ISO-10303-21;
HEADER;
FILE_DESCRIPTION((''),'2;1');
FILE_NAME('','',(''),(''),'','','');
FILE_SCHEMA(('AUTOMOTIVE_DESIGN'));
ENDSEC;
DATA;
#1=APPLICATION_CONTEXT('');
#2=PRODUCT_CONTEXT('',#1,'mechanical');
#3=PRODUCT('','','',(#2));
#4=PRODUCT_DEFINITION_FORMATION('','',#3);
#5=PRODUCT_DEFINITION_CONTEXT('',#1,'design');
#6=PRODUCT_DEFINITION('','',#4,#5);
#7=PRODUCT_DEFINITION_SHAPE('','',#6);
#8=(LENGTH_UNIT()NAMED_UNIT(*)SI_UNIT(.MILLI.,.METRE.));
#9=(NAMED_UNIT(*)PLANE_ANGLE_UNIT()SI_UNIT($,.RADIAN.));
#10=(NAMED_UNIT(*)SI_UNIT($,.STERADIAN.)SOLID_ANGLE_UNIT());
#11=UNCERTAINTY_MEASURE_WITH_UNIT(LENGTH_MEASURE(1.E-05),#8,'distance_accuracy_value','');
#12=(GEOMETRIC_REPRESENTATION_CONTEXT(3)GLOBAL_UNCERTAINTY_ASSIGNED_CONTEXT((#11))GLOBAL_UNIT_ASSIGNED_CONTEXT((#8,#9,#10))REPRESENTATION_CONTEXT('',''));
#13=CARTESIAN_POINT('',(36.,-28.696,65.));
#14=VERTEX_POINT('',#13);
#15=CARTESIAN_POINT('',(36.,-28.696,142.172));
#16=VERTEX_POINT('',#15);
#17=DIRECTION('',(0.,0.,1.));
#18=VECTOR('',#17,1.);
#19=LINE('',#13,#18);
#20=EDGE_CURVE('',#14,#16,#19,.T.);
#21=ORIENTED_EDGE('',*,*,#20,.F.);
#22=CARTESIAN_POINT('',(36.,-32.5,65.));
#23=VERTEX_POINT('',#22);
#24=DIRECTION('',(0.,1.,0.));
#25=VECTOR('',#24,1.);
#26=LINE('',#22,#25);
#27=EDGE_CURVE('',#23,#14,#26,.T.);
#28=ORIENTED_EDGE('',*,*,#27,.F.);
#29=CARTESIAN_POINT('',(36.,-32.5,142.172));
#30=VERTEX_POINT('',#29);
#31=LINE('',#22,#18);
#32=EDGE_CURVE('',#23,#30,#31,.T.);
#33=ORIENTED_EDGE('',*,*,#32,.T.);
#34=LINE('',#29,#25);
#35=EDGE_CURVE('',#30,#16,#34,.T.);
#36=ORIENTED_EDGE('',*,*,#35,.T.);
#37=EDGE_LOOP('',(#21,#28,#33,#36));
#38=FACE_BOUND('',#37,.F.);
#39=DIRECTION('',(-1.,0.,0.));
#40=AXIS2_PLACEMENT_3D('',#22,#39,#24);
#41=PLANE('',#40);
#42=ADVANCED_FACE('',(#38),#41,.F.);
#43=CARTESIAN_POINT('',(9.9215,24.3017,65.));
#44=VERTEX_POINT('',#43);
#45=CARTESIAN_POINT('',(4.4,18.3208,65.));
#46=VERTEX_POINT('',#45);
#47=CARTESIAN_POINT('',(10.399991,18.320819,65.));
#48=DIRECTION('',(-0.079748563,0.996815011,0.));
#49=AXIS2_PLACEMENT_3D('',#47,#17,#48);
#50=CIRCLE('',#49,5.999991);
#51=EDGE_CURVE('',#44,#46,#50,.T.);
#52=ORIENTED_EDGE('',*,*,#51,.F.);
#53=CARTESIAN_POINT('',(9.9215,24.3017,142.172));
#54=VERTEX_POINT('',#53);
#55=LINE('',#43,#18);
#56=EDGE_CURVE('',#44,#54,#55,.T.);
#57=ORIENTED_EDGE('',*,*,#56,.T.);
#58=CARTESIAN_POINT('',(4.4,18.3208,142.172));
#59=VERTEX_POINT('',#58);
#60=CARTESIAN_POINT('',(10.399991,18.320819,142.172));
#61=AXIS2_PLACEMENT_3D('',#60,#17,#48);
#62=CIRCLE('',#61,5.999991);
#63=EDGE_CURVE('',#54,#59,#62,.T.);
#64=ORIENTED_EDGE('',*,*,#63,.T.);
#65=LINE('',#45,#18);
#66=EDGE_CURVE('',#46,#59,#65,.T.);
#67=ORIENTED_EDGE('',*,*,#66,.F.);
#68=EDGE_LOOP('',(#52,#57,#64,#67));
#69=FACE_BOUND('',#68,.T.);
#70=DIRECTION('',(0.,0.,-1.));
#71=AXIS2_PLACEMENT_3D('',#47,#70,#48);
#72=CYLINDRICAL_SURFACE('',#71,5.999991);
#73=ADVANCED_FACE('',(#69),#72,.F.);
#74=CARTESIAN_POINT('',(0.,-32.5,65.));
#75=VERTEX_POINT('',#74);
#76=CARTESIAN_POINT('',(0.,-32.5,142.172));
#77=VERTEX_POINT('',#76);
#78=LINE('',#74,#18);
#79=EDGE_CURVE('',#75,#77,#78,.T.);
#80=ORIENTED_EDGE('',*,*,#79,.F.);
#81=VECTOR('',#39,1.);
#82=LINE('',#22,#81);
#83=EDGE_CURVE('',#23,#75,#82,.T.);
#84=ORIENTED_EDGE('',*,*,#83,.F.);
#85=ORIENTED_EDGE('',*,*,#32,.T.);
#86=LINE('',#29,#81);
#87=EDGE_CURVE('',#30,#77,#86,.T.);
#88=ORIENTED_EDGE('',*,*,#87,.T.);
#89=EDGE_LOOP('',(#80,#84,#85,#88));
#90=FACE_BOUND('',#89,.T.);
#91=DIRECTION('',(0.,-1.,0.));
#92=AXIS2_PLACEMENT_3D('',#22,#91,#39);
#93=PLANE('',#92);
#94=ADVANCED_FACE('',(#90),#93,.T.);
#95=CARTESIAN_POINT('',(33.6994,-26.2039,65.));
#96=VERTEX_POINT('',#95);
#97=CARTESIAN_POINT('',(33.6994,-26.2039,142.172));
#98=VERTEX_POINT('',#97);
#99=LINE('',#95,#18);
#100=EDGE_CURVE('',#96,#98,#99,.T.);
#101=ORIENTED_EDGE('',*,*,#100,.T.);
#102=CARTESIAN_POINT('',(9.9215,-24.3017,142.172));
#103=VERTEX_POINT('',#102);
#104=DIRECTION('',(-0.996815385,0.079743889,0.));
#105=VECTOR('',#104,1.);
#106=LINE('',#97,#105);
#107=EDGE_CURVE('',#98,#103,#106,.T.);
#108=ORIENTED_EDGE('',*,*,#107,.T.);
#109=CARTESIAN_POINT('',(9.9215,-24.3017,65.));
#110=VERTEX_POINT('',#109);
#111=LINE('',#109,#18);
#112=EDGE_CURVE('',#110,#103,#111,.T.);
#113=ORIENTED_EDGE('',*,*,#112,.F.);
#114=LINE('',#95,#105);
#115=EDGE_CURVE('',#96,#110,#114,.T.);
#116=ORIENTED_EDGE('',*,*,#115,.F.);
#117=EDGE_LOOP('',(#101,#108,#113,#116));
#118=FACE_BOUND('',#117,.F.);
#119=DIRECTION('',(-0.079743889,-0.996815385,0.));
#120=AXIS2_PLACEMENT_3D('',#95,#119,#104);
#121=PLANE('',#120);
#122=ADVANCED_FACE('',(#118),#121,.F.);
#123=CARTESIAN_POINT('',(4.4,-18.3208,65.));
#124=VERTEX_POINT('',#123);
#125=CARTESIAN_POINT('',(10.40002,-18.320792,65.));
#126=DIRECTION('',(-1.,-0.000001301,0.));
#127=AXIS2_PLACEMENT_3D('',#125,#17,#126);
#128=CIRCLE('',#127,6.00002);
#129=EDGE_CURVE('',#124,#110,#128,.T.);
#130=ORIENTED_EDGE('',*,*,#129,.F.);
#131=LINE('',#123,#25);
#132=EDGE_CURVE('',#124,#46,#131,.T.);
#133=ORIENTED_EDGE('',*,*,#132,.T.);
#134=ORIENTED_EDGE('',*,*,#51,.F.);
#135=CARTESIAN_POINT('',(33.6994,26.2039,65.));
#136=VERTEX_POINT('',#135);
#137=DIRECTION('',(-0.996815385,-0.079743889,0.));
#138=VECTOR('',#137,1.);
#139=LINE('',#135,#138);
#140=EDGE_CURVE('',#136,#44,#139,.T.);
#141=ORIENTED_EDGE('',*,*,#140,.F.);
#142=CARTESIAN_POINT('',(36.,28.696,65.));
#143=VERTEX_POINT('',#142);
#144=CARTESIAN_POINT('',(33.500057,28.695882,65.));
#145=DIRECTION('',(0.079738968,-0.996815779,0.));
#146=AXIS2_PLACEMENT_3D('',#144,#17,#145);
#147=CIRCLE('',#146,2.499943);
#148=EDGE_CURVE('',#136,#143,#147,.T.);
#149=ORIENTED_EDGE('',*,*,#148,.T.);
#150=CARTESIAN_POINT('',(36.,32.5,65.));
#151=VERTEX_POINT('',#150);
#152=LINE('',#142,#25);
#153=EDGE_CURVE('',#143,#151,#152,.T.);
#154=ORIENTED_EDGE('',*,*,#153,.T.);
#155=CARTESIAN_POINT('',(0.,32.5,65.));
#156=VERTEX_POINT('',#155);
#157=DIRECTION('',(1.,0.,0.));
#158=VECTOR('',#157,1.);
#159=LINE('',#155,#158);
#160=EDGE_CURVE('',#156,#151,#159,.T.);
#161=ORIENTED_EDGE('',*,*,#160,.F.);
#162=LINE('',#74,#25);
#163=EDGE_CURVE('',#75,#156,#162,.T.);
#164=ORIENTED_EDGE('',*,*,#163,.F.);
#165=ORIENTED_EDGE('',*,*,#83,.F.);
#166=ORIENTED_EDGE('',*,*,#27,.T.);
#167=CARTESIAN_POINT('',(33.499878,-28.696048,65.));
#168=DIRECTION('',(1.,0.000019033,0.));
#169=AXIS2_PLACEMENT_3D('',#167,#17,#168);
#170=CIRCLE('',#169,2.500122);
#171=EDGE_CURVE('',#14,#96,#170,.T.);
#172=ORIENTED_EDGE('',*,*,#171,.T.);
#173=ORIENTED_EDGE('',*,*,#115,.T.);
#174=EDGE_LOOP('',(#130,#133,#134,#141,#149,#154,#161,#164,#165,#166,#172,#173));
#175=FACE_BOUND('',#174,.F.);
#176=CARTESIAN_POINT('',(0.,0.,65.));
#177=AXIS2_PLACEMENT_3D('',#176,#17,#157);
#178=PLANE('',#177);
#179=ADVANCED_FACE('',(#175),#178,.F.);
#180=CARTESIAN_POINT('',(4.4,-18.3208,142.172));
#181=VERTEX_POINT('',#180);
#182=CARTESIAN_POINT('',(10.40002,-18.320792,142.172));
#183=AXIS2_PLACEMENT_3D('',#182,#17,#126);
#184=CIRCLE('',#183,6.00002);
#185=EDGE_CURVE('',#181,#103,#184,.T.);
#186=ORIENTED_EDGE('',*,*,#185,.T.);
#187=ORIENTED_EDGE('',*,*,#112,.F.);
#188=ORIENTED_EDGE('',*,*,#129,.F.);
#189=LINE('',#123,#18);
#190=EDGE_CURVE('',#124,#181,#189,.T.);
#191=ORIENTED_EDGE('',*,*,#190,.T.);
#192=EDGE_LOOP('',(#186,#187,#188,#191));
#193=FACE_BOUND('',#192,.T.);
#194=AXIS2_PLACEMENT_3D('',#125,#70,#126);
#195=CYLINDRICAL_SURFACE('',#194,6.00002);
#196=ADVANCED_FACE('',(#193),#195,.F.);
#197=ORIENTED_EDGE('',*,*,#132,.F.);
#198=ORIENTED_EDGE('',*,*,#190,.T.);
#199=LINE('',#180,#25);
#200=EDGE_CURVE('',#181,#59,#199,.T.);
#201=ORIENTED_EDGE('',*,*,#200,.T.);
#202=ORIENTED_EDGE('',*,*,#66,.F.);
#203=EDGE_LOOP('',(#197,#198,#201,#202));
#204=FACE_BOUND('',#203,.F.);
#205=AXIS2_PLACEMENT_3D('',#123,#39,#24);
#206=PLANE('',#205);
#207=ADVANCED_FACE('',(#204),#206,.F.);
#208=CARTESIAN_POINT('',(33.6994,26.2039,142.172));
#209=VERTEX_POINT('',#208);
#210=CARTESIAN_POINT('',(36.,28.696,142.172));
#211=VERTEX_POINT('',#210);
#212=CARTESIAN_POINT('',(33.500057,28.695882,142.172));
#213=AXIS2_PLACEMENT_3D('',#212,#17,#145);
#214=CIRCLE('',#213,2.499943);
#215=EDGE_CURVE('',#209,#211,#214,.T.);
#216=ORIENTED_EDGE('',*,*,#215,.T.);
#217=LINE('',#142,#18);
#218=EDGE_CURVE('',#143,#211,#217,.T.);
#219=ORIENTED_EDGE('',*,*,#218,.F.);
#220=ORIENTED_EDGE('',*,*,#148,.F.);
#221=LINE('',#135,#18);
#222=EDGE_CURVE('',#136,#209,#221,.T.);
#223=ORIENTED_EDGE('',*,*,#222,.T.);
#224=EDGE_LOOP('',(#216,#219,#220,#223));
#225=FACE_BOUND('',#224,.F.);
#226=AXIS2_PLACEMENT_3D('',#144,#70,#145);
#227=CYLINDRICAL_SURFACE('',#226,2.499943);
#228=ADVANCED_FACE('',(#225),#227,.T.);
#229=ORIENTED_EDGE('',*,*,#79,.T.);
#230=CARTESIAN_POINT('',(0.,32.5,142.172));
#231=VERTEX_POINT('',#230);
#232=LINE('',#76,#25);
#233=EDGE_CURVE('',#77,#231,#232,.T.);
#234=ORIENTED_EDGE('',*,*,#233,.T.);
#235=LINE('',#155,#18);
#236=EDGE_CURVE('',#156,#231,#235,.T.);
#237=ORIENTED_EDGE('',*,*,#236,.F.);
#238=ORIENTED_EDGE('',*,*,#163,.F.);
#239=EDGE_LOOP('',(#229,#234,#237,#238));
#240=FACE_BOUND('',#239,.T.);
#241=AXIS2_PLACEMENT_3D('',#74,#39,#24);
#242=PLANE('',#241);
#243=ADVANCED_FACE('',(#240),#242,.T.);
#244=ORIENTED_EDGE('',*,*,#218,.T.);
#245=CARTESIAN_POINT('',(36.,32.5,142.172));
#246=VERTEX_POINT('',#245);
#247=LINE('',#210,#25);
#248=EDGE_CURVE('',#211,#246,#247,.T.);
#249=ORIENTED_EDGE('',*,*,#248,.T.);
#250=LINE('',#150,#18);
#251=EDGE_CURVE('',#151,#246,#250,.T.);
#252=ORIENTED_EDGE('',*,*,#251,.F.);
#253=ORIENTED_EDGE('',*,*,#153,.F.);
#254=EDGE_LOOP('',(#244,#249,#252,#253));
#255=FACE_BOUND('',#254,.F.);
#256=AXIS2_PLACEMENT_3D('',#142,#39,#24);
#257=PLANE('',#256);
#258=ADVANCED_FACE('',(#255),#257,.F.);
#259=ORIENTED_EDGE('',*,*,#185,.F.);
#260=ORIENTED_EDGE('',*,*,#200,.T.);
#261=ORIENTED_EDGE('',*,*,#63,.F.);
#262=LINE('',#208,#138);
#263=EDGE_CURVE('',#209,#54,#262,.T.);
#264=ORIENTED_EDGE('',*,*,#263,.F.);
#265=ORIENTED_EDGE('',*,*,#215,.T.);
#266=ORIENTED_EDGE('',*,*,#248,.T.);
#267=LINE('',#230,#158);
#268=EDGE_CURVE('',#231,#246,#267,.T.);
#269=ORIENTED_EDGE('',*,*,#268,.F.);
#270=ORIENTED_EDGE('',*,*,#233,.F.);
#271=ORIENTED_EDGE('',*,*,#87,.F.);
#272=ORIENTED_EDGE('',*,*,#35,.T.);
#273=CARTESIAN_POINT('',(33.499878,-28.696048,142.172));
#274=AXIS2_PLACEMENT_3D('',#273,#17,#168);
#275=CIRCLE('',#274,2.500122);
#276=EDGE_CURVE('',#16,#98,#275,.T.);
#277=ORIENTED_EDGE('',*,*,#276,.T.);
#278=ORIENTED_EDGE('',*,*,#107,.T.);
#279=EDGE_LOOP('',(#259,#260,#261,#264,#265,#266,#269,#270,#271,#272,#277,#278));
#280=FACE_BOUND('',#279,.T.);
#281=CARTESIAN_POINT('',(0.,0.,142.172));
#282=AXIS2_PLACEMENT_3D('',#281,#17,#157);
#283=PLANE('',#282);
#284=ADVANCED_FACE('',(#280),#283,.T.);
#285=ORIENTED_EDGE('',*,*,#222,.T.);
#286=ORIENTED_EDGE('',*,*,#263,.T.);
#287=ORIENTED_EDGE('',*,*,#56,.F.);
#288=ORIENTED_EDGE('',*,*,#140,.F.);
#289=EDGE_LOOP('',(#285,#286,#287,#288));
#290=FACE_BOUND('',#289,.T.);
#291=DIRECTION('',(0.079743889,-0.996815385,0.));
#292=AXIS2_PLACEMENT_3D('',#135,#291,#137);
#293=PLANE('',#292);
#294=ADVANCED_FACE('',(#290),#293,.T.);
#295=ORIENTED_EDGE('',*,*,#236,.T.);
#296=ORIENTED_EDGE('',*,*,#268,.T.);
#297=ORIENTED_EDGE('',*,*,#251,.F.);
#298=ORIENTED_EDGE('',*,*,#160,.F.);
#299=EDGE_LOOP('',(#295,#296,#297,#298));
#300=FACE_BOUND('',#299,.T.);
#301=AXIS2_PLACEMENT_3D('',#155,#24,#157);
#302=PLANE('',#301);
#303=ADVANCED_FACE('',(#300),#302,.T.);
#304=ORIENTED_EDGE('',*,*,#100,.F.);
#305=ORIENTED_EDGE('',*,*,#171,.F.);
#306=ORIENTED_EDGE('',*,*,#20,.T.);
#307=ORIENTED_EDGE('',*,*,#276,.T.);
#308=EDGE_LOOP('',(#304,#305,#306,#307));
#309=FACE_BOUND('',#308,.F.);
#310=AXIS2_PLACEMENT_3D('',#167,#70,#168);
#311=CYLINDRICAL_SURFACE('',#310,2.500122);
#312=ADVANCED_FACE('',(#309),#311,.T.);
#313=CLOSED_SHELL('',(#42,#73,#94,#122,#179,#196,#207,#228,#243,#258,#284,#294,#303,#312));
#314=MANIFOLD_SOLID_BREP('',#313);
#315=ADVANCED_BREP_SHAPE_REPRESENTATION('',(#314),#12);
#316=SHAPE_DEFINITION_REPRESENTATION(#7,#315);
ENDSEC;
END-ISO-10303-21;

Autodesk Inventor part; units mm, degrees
ref_plane "Начальная плоскость" through (0, 0, 65) normal (0, 0, 1) x (1, 0, 0)
ref_plane "Конечная плоскость" through (0, 0, 142.172) normal (0, 0, 1) x (1, 0, 0)
sketch "Эскиз" plane through (0, 0, 0) normal (0, 0, 1) x (1, 0, 0)
  line L0 (36, -32.5) -> (0, -32.5)
  line L1 (36, -32.5) -> (36, -28.696)
  line L2 (33.6994, -26.2039) -> (9.9215, -24.3017)
  line L3 (4.4, -18.3208) -> (4.4, 18.3208)
  line L4 (33.6994, 26.2039) -> (9.9215, 24.3017)
  line L5 (36, 28.696) -> (36, 32.5)
  line L6 (0, 32.5) -> (36, 32.5)
  line L7 (0, -32.5) -> (0, 32.5)
  arc A0 (4.4, -18.3208) -> (9.9215, -24.3017) centre (10.4, -18.3208) ccw
  arc A1 (9.9215, 24.3017) -> (4.4, 18.3208) centre (10.4, 18.3208) ccw
  arc A2 (36, -28.696) -> (33.6994, -26.2039) centre (33.5, -28.696) ccw
  arc A3 (33.6994, 26.2039) -> (36, 28.696) centre (33.5, 28.696) ccw
  line L8 (0, 45.5) -> (0, -45.5) construction
  line L9 (-7.2974, 0) -> (43.7847, 0) construction
  point P0 (36, -26.388)
  point P1 (4.4, -23.86)
  point P2 (4.4, 23.86)
  point P3 (36, 26.388)
  dimension "d3" = 36
  dimension "d5" = 4.4
  dimension "d7" = 65
  dimension "d9" = 8.64
  dimension "d11" = 8.64
  dimension "d13" = 6.112
  dimension "d15" = 6.112
  dimension "d22" = 6
  dimension "d23" = 2.5
  dimension "d24" = 32.5
  dimension "d25" = 0
extrude "Тело" add sketch "Эскиз" along normal up to surface (77.172 mm away) from surface at 65
sketch "Sketch3" plane through (0, 0, 0) normal (0, 0, 1) x (1, 0, 0)
  line L0 (0, 0) -> (10, 0)
ref_plane "Work Plane7" through (0, 0, 0) normal (0, -1, 0) x (1, 0, 0)
sketch "Sketch4" plane through (0, 0, 0) normal (0, -1, 0) x (1, 0, 0)
  line L0 (-2, 65) -> (12, 65)
  line L1 (-2, 142.172) -> (12, 142.172)
  dimension "d29" = 77.172
ref_plane "РабПлоскость8" through (36, -256.9532, 65) normal (0, 0, -1) x (-1, 0, 0)
split "Разделение1" plane through (36, -256.9532, 65) removes the side toward (0, 0, -1)
ref_plane "РабПлоскость9" through (0, -256.9532, 142.172) normal (0, 0, 1) x (1, 0, 0)
split "Разделение2" plane through (0, -256.9532, 142.172) removes the side toward (0, 0, 1)
equation "\"d3\" = b"
equation "\"d5\" = t1"
equation "\"d7\" = ParH"
equation "\"d9\" = msp_x1 + t2"
equation "\"d11\" = msp_x1 + t2"
equation "\"d13\" = -msp_x2 + t2"
equation "\"d15\" = -msp_x2 + t2"
equation "\"d22\" = R"
equation "\"d23\" = R1"
equation "\"d24\" = 0.5 * d7"
equation "\"d16\" = G_L"
equation "\"R1\" = 2.5"
equation "\"R\" = 6"
equation "\"t1\" = 4.4"
equation "\"t2\" = 7.2"
equation "\"ParH\" = 65"
equation "\"b\" = 36"
equation "\"msp_x1\" = 0.04 * b"
equation "\"msp_x2\" = -0.08 * t1 + 0.04 * b"
equation "\"G_L\" = d29"
equation "\"ex\" = 0"
equation "\"G_OFFSET_START\" = -65"
equation "\"G_OFFSET_END\" = -65"
equation "\"d26\" = -G_OFFSET_START"
equation "\"d27\" = G_OFFSET_END + B_L"
equation "\"B_L\" = 207.172"
properties part number "Швеллер 6.5U-77,17 ГОСТ 8240-97" material "Сталь, мягкая"
